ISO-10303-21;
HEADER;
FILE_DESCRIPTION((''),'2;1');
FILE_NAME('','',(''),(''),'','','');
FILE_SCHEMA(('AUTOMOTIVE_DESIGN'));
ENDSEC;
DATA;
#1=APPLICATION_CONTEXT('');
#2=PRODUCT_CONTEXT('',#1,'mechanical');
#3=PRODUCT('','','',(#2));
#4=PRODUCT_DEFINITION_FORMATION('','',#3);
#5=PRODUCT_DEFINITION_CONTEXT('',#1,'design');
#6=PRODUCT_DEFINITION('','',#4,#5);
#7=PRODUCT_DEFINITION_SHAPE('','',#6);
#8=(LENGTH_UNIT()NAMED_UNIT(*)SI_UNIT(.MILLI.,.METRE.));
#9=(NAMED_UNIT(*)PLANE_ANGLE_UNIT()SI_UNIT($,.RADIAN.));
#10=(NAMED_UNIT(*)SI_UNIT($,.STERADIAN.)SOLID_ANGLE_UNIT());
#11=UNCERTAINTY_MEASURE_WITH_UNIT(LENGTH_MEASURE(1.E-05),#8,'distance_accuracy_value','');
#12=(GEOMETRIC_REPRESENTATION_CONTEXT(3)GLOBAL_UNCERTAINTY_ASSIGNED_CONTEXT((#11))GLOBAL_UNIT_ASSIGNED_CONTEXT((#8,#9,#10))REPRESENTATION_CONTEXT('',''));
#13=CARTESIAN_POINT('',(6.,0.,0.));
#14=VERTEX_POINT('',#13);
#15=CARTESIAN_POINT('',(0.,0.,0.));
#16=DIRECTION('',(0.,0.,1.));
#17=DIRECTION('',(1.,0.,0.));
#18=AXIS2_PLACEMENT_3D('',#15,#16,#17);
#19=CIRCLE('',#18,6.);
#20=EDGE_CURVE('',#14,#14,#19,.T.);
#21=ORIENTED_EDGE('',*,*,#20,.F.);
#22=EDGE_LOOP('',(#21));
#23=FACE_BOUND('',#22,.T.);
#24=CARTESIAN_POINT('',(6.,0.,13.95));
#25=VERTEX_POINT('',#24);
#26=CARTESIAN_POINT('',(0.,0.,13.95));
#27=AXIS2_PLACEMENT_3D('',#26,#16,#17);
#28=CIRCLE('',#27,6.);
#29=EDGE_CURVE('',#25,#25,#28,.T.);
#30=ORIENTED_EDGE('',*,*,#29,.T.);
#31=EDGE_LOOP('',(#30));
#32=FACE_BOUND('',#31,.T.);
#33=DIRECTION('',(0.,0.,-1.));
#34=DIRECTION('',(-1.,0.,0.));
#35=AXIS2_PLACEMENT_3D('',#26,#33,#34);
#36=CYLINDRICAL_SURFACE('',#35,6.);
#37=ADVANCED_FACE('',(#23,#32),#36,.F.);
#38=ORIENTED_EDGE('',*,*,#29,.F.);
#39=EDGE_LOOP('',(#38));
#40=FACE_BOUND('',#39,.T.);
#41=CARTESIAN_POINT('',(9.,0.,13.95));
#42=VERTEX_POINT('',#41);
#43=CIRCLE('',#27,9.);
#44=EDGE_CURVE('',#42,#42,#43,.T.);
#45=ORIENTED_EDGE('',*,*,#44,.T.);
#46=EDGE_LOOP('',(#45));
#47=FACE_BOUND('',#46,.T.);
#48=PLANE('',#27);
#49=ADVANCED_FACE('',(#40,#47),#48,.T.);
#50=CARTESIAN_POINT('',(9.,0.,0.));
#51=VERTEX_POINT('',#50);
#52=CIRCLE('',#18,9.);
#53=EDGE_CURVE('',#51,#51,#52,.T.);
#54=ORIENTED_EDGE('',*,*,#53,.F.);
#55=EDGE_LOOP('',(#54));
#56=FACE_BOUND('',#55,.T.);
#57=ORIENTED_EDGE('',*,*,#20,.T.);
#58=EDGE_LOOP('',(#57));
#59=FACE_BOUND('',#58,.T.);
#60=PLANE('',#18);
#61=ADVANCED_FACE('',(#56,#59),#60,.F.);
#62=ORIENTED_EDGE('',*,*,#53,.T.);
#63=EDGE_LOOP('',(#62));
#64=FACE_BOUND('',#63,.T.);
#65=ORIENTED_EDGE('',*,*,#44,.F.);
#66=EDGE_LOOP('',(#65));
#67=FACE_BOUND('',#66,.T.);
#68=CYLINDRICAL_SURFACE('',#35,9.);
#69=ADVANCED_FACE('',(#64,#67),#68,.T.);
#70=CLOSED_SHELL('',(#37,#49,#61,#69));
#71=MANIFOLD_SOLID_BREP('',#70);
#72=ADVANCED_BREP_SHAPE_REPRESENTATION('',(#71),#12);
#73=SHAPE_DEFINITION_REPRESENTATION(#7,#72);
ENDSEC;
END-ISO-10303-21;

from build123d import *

# Parameters (mm, degrees)
SZKIC1_R                    = 9
SZKIC1_R_2                  = 6
DODANIE_WYCI_GNI_CIE1_DEPTH = 13.95


with BuildPart() as part:
    # Szkic1 → Dodanie-wyciągnięcie1 (new body)
    with BuildSketch(Plane.XY):
        Circle(SZKIC1_R)
        Circle(SZKIC1_R_2, mode=Mode.SUBTRACT)
    extrude(amount=DODANIE_WYCI_GNI_CIE1_DEPTH)


solid = part.part
